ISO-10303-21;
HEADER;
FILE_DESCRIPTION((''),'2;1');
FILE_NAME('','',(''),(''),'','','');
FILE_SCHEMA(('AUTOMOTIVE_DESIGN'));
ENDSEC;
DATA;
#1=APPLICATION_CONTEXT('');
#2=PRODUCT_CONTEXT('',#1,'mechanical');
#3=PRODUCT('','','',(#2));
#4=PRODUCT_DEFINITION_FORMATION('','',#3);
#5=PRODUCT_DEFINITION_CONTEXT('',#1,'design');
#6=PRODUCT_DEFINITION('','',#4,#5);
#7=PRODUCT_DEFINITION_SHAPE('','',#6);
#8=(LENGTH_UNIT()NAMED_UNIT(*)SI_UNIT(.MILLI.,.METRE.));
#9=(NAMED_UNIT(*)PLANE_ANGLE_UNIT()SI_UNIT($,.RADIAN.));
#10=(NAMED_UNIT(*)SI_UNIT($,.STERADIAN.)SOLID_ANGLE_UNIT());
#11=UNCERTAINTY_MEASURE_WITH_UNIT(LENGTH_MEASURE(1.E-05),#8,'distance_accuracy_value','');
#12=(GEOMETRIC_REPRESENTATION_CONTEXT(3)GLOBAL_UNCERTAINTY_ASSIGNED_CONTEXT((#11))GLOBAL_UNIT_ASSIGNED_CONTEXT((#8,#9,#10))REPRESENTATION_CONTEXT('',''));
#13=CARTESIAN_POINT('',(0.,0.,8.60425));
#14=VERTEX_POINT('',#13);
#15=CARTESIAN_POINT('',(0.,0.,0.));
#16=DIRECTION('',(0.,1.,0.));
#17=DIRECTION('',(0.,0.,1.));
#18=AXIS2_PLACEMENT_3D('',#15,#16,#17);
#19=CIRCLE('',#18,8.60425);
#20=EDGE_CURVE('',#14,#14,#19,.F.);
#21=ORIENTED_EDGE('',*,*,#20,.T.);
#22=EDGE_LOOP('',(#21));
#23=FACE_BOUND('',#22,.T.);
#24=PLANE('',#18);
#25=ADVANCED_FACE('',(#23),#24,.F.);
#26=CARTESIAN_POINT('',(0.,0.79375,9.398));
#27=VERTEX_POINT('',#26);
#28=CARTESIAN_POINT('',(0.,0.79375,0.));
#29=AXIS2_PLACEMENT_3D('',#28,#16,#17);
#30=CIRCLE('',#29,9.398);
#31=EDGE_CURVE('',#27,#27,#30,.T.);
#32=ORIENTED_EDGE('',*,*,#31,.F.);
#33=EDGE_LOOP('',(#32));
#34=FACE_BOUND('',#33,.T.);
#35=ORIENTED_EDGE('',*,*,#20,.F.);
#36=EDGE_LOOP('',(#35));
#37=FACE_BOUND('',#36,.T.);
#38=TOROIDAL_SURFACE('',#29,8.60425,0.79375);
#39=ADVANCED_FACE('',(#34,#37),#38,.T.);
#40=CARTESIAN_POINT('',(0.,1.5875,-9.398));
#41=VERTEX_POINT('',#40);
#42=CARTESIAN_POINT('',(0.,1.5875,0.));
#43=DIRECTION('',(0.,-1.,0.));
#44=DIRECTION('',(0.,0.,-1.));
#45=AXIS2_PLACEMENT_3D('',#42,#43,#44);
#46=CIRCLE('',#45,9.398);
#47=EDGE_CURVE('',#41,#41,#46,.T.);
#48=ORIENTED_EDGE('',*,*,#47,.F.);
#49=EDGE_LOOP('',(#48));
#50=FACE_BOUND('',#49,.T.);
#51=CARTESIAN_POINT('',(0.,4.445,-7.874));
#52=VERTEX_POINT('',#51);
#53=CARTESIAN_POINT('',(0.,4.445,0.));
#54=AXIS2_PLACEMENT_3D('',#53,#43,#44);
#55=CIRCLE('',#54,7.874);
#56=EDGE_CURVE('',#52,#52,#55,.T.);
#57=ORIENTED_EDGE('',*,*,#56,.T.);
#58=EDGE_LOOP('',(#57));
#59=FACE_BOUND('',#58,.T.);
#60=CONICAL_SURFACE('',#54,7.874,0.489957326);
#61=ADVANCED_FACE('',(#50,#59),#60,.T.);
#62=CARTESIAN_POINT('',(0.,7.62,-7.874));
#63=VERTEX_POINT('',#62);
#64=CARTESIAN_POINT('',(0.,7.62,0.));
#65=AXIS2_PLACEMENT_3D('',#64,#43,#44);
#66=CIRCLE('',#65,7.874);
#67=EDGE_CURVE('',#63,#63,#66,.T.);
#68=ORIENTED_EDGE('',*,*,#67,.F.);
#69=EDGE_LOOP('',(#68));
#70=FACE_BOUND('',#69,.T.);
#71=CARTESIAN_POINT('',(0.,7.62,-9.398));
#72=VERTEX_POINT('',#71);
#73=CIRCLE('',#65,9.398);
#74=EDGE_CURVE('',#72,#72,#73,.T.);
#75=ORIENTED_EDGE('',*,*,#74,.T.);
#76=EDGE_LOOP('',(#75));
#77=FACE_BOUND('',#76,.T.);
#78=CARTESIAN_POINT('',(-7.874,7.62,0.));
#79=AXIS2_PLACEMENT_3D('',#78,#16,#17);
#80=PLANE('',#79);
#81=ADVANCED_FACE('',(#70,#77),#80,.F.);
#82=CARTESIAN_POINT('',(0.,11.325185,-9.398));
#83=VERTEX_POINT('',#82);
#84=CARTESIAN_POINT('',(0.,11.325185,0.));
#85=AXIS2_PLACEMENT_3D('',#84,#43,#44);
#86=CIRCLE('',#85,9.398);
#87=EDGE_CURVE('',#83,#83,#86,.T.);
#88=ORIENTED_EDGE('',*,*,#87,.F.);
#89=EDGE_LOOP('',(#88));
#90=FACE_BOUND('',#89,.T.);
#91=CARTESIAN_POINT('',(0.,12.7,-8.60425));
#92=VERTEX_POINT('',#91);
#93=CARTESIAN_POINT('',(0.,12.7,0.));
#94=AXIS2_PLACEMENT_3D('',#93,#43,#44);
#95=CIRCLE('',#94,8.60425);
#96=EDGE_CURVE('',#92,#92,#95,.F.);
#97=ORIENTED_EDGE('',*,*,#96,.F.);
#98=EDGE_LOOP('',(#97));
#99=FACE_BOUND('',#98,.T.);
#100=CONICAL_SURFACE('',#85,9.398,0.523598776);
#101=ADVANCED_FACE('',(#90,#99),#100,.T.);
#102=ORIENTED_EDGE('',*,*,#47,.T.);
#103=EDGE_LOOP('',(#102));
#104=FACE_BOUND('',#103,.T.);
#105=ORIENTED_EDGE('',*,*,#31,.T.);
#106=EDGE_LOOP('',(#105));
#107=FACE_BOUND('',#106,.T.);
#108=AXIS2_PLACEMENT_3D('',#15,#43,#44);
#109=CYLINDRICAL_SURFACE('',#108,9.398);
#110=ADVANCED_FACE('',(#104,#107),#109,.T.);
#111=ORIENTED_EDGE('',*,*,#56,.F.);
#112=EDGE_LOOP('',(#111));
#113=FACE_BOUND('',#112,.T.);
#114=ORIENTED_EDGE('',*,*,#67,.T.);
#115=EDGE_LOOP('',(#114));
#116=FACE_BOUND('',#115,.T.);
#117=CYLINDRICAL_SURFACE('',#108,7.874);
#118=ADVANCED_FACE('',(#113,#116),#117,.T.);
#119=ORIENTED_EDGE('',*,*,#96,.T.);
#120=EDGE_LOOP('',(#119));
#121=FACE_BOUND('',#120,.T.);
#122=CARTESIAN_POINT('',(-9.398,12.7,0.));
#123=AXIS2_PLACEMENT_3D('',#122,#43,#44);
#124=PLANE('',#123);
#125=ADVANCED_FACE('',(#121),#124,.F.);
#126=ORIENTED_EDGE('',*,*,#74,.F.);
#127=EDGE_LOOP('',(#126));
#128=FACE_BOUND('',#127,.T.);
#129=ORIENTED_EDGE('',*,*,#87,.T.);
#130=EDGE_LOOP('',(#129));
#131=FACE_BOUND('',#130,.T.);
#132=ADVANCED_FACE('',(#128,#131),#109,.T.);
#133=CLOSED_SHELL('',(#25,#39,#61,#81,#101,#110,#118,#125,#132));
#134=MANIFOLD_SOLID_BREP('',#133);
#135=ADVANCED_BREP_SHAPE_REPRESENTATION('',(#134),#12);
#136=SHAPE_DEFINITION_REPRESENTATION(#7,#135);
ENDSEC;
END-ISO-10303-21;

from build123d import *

# Parameters (mm, degrees)
FILLET1_R      = 0.79375
CHAMFER1_SIZE  = 0.79375
CHAMFER1_SIZE2 = 1.374815329


with BuildPart() as part:
    # Sketch1 → Revolve1 (revolve)
    with BuildSketch(Plane.XY):
        Polygon((0, 0), (-9.398, 0), (-9.398, 1.5875), (-7.874, 4.445), (-7.874, 7.62), (-9.398, 7.62), (-9.398, 12.7), (0, 12.7), align=None)
    revolve(axis=Axis((0, 0, 0), (0, 1, 0)))

    # Fillet1
    fillet1_edges = [part.edges().sort_by_distance(p)[0] for p in [
        (9.398, 0, 0),
    ]]
    fillet(fillet1_edges, radius=FILLET1_R)

    # Chamfer1
    chamfer1_edges = [part.edges().sort_by_distance(p)[0] for p in [
        (9.398, 12.7, 0),
    ]]
    chamfer1_side = [part.faces().sort_by_distance(p)[0] for p in [
        (0, 12.7, 0),
    ]]
    chamfer(chamfer1_edges, length=CHAMFER1_SIZE, length2=CHAMFER1_SIZE2, reference=chamfer1_side[0])


solid = part.part
